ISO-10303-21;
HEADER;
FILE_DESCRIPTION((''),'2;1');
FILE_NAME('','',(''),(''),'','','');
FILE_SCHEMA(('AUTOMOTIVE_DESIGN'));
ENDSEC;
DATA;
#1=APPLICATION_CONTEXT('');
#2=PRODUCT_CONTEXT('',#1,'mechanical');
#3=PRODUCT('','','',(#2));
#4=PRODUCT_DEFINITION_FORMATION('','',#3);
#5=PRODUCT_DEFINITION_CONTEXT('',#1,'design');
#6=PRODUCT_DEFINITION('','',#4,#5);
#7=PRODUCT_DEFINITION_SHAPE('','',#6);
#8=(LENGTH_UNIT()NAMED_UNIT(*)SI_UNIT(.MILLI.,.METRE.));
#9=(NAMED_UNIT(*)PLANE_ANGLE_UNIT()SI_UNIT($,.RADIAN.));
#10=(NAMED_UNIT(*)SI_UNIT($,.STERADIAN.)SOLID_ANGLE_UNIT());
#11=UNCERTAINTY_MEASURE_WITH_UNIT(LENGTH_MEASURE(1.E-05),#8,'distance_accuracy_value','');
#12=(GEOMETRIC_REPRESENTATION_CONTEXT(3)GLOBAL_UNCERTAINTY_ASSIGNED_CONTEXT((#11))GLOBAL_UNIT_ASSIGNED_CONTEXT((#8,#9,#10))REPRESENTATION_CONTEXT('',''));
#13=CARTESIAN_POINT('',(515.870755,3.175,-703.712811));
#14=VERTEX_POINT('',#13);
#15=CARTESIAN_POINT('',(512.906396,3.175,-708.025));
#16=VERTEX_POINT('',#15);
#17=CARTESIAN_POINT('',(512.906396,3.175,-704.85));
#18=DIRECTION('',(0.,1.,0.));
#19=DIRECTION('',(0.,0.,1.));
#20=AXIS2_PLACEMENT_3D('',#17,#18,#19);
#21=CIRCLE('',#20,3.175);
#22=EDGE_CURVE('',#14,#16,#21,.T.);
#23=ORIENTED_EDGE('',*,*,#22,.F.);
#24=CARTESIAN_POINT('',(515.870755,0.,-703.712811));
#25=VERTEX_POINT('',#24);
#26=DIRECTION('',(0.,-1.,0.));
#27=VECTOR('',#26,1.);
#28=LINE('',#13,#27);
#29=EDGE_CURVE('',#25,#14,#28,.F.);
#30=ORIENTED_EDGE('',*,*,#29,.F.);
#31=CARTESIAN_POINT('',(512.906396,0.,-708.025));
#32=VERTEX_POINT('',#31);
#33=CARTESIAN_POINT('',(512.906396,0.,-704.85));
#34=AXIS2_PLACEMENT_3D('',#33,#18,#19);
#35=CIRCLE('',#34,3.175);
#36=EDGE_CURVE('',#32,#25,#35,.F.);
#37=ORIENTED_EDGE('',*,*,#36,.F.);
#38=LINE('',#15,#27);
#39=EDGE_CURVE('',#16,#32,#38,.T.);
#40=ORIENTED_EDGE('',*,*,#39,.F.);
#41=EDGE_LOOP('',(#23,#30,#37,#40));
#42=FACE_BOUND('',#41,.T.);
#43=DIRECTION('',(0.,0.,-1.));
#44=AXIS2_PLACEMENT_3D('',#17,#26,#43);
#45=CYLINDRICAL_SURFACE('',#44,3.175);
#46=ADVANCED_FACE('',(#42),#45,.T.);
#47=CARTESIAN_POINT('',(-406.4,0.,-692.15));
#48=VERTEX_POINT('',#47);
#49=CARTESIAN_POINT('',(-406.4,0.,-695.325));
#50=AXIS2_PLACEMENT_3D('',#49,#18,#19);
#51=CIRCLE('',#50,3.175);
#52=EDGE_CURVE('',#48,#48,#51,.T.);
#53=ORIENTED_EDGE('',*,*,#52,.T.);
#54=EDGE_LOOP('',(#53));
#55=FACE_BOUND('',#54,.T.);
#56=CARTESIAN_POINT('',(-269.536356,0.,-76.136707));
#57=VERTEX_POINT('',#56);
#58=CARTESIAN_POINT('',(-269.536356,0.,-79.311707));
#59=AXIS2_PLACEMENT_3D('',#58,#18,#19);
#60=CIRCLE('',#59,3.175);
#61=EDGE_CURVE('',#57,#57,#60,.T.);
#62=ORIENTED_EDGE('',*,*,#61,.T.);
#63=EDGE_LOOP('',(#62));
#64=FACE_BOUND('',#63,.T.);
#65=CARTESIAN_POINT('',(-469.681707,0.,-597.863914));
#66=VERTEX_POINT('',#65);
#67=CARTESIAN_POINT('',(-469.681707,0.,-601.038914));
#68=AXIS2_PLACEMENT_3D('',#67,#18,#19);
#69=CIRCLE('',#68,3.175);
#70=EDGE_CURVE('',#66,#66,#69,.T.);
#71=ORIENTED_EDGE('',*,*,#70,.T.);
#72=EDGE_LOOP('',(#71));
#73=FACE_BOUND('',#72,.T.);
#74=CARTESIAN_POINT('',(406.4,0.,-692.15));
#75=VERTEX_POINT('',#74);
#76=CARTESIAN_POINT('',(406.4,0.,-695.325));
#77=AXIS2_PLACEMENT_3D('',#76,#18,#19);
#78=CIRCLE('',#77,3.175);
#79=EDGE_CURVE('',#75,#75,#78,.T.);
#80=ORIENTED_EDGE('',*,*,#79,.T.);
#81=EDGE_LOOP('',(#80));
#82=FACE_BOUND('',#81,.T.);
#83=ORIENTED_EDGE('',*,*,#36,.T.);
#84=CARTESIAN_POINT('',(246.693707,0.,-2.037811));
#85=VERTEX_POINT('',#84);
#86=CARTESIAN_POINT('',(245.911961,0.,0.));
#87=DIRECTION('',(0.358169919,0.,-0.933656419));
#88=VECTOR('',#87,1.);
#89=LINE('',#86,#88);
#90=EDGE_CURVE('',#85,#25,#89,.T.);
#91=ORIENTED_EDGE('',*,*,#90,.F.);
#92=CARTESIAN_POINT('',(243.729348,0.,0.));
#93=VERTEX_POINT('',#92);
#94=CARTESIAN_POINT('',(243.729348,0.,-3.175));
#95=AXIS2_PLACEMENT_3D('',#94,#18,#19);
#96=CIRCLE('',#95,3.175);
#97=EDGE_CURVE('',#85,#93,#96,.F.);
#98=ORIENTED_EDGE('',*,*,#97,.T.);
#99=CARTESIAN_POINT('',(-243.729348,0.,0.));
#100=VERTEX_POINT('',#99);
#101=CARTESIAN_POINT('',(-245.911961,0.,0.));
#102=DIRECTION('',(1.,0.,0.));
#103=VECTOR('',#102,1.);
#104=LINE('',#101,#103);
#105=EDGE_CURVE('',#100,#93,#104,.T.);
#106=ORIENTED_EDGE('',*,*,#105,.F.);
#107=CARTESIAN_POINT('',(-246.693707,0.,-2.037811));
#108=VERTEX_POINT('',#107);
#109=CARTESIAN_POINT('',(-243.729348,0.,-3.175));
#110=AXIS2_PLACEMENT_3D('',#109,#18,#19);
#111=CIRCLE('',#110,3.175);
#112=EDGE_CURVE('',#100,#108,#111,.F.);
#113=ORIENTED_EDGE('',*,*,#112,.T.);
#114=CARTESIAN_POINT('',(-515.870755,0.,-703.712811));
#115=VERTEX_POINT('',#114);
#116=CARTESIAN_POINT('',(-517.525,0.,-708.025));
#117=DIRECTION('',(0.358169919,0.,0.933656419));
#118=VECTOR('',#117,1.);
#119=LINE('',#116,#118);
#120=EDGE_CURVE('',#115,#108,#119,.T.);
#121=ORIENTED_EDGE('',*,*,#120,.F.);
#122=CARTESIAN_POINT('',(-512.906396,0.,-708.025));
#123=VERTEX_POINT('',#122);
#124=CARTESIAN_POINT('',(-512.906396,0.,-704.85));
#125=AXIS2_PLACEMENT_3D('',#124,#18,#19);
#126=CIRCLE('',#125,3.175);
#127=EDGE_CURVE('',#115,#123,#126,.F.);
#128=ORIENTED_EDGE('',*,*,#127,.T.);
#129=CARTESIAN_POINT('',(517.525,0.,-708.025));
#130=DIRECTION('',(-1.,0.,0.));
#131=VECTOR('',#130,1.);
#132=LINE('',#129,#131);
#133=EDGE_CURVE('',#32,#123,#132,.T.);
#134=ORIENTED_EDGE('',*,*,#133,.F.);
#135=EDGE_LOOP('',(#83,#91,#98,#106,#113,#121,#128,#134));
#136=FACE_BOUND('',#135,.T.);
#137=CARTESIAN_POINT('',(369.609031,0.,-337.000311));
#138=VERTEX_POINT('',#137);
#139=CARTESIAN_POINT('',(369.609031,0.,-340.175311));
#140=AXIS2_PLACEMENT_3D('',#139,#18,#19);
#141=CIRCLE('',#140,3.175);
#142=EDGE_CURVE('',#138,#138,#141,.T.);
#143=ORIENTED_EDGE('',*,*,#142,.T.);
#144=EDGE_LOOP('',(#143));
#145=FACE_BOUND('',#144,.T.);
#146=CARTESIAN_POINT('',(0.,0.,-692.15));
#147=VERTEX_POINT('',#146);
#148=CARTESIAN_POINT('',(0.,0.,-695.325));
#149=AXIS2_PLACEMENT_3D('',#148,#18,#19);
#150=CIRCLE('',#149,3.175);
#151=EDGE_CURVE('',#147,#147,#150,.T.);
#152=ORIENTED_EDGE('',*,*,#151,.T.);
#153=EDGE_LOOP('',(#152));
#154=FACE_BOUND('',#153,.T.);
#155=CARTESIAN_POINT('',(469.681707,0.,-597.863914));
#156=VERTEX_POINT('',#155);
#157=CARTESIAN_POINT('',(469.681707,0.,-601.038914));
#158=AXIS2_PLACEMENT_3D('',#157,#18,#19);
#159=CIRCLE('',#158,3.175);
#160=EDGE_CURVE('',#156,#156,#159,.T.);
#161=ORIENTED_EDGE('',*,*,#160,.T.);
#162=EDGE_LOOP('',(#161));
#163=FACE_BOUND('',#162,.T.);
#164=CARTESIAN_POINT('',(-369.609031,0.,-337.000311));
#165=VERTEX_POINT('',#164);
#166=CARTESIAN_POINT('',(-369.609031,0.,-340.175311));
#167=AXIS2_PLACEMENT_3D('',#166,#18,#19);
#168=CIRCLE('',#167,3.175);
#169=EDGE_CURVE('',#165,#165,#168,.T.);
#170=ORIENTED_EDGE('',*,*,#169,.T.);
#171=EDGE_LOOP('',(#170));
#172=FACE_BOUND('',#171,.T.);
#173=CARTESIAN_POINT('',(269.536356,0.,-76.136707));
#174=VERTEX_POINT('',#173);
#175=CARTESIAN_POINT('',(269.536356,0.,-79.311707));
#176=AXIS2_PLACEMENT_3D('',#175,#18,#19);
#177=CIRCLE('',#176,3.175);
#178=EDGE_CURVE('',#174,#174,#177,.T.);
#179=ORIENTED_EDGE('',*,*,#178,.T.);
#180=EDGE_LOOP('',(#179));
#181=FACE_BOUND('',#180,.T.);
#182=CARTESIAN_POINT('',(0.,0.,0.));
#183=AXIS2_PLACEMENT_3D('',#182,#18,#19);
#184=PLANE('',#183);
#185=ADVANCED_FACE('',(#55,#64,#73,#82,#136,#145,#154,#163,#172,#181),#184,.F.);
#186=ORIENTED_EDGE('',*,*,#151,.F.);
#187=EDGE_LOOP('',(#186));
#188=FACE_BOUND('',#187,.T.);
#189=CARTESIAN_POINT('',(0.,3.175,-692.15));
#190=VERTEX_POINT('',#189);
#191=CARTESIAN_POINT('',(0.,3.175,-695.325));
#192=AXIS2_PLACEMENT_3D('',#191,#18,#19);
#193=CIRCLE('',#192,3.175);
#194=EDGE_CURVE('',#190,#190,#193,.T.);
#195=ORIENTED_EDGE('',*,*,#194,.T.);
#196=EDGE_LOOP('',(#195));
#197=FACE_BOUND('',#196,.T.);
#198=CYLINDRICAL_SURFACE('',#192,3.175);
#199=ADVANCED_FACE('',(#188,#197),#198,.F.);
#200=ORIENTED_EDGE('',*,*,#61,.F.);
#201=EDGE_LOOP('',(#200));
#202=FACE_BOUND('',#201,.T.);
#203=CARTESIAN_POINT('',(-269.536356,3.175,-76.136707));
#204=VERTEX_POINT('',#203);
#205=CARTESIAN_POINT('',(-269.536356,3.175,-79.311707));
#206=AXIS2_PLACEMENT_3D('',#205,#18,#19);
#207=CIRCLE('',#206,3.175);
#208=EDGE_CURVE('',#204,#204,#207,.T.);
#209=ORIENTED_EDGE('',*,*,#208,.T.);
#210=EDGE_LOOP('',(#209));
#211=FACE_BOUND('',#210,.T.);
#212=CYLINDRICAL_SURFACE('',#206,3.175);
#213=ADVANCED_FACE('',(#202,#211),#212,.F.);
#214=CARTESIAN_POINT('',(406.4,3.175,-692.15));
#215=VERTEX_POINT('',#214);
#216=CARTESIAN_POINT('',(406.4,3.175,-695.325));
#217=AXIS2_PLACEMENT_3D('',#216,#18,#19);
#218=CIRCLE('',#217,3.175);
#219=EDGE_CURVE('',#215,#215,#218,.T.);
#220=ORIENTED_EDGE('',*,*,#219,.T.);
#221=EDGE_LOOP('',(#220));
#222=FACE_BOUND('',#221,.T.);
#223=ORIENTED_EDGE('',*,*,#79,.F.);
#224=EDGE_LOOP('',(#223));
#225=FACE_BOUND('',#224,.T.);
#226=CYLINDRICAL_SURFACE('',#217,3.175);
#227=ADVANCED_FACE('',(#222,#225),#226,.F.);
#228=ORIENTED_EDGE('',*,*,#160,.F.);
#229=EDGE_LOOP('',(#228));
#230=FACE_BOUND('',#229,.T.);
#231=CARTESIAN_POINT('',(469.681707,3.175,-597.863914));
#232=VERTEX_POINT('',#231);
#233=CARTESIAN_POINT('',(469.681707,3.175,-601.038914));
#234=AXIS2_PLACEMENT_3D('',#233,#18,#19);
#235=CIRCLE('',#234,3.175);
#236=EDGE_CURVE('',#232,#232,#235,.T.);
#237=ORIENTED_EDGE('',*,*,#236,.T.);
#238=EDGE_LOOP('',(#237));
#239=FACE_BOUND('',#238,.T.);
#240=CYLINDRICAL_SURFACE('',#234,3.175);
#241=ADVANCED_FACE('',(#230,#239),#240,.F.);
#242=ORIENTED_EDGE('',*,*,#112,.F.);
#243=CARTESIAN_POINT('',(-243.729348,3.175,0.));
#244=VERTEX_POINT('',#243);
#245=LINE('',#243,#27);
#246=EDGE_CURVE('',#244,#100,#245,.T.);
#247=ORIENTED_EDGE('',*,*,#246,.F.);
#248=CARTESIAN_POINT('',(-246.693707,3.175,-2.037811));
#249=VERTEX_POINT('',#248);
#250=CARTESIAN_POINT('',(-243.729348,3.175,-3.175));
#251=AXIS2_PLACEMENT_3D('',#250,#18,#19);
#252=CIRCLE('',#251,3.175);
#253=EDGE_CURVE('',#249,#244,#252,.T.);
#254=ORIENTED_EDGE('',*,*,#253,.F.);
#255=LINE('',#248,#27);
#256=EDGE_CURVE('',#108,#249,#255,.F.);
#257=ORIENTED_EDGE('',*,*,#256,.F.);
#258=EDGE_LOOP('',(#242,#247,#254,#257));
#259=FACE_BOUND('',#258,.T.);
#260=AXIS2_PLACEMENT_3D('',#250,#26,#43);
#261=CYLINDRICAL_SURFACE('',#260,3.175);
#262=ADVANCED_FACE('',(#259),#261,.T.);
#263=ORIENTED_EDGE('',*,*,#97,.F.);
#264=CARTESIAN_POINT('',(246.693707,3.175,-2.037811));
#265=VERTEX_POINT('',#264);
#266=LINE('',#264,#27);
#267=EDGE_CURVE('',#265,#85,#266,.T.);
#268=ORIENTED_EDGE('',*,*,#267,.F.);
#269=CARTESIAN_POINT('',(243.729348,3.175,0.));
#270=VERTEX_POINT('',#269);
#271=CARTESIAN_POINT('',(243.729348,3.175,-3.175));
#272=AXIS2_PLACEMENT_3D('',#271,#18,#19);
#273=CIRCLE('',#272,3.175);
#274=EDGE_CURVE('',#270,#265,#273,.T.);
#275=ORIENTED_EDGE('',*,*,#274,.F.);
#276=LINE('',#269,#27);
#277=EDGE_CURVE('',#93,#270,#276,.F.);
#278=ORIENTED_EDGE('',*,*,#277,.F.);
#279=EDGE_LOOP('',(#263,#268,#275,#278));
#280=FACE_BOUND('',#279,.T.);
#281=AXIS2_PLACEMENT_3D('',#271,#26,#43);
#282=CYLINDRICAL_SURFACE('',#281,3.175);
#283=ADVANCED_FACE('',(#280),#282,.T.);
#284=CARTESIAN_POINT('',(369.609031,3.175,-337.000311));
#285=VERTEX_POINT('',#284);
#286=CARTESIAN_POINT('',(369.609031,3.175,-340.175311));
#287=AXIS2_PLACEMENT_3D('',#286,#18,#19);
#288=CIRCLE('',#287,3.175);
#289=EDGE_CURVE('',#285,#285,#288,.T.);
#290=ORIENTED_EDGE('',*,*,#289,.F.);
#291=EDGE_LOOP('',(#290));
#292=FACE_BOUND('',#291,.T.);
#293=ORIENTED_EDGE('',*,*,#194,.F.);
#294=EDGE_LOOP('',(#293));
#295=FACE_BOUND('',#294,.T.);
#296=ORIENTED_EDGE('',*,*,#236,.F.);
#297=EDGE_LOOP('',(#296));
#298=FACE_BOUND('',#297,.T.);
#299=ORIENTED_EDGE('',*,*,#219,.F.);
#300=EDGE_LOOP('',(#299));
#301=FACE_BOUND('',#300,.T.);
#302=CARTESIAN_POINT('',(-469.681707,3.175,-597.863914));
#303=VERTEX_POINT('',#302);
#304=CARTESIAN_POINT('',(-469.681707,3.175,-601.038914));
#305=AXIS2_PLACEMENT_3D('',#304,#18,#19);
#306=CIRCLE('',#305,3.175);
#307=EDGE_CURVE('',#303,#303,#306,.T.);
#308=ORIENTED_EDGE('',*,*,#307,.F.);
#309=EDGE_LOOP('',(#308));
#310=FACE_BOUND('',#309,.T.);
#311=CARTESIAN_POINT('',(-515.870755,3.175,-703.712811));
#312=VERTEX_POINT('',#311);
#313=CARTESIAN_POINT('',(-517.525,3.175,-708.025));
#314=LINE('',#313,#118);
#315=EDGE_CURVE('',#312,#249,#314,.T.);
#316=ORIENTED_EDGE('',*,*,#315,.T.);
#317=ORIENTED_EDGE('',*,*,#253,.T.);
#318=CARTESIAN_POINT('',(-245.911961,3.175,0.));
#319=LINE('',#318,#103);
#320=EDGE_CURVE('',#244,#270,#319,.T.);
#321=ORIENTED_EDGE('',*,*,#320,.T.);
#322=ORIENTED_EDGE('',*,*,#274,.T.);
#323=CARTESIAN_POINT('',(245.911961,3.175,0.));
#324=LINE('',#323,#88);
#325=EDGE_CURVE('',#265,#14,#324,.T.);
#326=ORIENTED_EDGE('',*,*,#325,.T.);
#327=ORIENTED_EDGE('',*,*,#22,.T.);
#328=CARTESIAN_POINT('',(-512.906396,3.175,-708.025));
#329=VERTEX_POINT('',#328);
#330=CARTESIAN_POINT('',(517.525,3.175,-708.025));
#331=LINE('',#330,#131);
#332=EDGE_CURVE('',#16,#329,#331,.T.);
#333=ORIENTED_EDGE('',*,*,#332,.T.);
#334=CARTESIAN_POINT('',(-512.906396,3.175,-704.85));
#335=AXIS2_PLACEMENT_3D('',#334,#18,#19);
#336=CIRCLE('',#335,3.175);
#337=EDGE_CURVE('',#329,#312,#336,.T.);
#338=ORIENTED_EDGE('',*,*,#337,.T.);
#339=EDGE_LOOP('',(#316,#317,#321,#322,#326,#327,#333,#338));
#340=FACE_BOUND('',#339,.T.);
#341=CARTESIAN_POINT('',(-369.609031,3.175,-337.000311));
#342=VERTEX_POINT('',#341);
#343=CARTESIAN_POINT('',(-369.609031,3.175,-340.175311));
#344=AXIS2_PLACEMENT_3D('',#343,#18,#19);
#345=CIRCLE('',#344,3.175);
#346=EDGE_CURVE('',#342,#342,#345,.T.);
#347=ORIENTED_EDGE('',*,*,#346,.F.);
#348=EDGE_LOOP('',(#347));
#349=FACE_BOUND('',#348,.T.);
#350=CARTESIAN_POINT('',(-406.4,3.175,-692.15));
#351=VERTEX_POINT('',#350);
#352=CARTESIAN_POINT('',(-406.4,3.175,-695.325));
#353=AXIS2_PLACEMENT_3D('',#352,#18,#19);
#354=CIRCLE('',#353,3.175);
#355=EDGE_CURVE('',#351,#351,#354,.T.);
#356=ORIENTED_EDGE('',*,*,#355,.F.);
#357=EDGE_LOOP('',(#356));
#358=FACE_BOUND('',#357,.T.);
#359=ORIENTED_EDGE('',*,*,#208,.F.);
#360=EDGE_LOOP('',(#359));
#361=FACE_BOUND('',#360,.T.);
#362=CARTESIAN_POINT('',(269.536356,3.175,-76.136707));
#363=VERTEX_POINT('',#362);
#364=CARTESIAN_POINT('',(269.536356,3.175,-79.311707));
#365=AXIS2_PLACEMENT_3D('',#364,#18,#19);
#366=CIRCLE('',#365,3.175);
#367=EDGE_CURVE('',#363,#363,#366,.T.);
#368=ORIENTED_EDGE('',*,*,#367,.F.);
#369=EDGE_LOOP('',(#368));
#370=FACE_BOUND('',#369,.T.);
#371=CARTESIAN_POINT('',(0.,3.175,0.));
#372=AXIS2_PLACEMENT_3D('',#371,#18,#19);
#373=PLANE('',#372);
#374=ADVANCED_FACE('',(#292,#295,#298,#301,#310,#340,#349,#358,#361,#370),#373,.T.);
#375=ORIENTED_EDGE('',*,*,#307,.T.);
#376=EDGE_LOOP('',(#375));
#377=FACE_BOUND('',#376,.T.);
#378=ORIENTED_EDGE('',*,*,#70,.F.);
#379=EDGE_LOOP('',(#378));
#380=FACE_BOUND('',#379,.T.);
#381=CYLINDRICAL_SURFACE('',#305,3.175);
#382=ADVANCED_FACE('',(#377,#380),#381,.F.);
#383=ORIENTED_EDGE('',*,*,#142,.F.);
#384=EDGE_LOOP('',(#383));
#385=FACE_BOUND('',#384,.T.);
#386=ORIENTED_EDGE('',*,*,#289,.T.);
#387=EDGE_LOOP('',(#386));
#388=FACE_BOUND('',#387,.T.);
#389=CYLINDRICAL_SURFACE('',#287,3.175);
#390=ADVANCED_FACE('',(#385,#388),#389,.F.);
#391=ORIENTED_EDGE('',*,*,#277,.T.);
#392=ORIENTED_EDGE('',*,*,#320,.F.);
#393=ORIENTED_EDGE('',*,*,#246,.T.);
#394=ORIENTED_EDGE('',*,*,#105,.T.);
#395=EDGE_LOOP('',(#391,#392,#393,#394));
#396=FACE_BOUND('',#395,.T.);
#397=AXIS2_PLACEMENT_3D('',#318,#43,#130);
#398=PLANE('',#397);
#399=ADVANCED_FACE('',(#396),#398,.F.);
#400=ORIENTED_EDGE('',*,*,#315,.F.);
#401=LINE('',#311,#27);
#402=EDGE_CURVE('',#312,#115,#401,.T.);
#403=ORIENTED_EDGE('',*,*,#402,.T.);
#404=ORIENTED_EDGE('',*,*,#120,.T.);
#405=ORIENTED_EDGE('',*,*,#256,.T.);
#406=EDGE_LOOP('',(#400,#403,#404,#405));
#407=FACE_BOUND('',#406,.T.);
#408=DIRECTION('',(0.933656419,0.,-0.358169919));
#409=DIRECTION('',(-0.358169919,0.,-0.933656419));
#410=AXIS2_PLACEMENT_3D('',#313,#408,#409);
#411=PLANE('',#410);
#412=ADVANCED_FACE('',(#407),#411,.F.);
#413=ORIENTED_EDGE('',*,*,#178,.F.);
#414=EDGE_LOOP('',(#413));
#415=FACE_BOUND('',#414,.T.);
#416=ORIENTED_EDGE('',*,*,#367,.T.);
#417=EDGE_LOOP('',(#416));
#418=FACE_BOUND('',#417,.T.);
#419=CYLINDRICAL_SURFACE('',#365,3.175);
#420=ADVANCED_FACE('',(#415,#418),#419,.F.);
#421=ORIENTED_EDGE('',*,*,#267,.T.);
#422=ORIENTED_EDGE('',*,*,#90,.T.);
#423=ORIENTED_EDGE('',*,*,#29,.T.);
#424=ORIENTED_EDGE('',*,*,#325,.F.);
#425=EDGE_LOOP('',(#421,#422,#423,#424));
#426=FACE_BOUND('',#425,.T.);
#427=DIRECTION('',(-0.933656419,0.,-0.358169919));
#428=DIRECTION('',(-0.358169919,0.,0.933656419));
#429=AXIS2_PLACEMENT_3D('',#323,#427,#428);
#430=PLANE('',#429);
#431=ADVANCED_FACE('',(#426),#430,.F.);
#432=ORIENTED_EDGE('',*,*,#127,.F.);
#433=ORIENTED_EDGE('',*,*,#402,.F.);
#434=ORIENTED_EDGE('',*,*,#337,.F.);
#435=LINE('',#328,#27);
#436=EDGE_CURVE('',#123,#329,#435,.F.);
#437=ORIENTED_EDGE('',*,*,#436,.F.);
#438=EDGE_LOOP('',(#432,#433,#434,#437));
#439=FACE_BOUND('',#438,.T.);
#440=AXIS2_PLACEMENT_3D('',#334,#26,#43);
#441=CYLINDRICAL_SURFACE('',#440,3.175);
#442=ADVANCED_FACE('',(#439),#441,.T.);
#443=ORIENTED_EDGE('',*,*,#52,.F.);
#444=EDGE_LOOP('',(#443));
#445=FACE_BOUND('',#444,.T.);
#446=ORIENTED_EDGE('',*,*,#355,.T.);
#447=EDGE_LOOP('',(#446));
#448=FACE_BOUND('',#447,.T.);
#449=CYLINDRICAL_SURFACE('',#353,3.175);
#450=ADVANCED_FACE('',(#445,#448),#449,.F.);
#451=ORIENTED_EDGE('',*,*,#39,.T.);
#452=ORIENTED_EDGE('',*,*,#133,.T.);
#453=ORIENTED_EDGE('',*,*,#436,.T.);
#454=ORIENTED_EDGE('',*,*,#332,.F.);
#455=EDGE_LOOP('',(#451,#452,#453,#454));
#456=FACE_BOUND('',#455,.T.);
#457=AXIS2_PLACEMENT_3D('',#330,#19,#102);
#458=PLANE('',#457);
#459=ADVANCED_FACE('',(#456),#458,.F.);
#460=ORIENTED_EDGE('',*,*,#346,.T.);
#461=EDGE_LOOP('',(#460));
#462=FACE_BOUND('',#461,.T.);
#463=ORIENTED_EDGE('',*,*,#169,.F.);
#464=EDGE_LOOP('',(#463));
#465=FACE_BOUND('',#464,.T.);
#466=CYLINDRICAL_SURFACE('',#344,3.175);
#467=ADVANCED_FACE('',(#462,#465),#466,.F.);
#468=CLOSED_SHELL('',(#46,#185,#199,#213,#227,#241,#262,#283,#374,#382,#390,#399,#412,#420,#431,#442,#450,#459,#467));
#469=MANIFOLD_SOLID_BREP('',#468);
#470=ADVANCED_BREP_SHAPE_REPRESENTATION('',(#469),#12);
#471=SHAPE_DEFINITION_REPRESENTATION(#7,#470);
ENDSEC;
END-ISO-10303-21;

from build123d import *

# Parameters (mm, degrees)
BOSS_EXTRUDE1_DEPTH         = 3.175
FILLET1_R                   = 3.175
F_1_4_0_25_DIAMETER_HOLE1_D = 6.35


with BuildPart() as part:
    # Sketch1 → Boss-Extrude1 (new body)
    with BuildSketch(Plane(origin=(0, 0, 0), x_dir=(1, 0, 0), z_dir=(0, 1, 0))):
        Polygon((-245.911961207, 0), (245.911961207, 0), (517.525, 708.025), (-517.525, 708.025), align=None)
    extrude(amount=BOSS_EXTRUDE1_DEPTH)

    # Fillet1
    fillet1_edges = [part.edges().sort_by_distance(p)[0] for p in [
        (-517.525, 1.5875, -708.025),
        (517.525, 1.5875, -708.025),
        (245.911961207, 1.5875, 0),
        (-245.911961207, 1.5875, 0),
    ]]
    fillet(fillet1_edges, radius=FILLET1_R)

    # 1/4 (0.25) Diameter Hole1 (through all)
    with Locations(Plane(origin=(0, 3.175, 0), x_dir=(1, 0, 0), z_dir=(0, 1, 0))):
        with Locations((-406.4, 695.325), (0, 695.325), (406.4, 695.325), (-469.681706805, 601.038913991), (-369.60903133, 340.175310506), (-269.536355855, 79.311707021), (269.536355855, 79.311707021), (369.60903133, 340.175310506), (469.681706805, 601.038913991)):
            Hole(F_1_4_0_25_DIAMETER_HOLE1_D / 2)


solid = part.part
